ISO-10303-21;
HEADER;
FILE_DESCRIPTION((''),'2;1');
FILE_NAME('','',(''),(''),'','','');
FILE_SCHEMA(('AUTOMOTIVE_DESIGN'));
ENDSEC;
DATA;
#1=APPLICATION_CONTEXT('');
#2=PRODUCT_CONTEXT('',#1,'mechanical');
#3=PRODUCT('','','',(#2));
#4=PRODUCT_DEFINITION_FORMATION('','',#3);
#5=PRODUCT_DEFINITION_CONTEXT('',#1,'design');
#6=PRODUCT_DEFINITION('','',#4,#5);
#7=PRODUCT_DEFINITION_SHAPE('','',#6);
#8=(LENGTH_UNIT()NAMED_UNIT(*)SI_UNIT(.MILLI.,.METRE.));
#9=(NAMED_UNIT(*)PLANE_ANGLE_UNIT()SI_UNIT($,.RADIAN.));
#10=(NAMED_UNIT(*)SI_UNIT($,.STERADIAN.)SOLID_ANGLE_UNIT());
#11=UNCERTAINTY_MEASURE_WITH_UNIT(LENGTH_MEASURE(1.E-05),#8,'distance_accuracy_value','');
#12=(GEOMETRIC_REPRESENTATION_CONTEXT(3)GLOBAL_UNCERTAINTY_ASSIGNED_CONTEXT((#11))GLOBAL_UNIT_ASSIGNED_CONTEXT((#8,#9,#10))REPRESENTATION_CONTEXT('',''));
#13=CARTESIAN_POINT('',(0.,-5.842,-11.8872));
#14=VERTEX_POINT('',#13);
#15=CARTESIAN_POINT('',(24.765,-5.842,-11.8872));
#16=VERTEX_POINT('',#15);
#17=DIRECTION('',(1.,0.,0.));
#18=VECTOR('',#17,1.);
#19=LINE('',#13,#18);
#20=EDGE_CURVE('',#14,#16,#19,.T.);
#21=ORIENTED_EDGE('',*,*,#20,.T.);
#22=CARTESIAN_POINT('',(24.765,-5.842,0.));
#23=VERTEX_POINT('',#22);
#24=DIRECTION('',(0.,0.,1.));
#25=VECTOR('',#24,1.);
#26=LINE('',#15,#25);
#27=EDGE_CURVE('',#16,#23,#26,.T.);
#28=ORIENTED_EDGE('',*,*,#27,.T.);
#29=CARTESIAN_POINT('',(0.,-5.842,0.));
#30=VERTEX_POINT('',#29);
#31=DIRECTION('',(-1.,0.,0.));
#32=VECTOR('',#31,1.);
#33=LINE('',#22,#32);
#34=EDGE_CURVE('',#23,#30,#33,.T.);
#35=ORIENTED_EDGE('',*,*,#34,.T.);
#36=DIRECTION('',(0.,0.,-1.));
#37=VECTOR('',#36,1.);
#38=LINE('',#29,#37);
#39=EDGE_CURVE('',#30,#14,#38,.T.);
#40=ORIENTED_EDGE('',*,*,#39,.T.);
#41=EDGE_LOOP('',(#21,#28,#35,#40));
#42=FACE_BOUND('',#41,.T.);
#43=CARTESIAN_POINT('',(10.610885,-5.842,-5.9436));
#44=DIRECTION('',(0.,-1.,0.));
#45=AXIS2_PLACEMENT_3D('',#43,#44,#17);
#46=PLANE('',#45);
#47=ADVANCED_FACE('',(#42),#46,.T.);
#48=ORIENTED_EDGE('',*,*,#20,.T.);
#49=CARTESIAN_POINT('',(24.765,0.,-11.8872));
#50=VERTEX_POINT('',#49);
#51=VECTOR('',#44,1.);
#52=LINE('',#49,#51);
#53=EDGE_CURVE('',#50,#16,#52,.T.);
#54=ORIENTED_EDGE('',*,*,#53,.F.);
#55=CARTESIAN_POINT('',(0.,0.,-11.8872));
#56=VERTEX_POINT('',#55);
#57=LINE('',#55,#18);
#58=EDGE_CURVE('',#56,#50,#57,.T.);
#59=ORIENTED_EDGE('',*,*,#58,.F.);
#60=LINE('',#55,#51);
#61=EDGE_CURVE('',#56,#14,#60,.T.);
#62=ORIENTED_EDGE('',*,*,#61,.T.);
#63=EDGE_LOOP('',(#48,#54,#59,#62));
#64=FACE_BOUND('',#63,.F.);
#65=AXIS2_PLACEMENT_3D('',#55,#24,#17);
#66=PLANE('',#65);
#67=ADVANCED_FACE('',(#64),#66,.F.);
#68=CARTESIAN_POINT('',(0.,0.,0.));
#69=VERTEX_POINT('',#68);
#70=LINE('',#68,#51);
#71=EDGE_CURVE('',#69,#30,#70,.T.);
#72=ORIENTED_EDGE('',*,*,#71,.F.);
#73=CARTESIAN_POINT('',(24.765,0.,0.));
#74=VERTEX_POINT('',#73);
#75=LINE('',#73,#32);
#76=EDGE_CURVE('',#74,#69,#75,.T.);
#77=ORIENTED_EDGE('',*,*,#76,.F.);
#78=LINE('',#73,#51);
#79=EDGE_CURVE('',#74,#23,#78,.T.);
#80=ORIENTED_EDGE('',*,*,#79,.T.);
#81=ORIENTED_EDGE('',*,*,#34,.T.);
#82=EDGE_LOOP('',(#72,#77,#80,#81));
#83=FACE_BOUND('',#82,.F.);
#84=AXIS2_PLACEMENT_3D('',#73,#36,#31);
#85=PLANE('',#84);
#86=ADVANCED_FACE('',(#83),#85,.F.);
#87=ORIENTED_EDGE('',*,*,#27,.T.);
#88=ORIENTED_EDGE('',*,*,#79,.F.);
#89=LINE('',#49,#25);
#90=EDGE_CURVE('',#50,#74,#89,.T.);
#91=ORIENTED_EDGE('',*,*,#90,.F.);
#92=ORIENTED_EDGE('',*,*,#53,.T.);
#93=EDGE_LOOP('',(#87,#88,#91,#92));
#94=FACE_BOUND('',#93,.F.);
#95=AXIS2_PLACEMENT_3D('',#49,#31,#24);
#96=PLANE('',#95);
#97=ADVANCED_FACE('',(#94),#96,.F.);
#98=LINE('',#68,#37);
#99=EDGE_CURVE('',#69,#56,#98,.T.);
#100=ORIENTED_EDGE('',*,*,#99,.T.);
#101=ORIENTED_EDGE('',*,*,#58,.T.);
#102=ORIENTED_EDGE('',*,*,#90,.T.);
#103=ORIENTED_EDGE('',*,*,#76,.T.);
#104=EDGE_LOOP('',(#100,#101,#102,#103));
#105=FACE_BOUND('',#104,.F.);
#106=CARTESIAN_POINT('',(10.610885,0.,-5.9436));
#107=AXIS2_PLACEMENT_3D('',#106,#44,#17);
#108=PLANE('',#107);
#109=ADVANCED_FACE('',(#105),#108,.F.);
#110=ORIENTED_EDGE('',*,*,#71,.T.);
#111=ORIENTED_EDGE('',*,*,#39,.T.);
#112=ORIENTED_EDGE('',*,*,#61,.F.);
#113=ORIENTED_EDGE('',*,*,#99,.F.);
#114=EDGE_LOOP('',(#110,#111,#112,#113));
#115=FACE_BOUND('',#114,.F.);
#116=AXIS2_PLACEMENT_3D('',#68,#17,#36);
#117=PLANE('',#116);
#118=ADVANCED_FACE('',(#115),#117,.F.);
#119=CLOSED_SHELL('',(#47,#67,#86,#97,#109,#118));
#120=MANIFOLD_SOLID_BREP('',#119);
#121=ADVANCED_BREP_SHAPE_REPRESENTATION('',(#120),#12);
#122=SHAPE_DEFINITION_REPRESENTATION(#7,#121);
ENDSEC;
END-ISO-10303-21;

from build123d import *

# Parameters (mm, degrees)
F1_DEPTH = 5.842


with BuildPart() as f1:
    # F0 (on Front) → F1 (new body)
    with BuildSketch(Plane.XZ):
        with BuildLine():
            Line((21.102135, 0), (0, 0))
            Line((0, 0), (0, -11.8872))
            Line((0, -11.8872), (21.102135, -11.8872))
            ThreePointArc((21.102135, -11.8872), (21.59, -5.9436), (21.102135, 0))
        make_face()
        with BuildLine():
            Line((24.765, 0), (21.102135, 0))
            ThreePointArc((21.102135, 0), (21.59, -5.9436), (21.102135, -11.8872))
            Line((21.102135, -11.8872), (24.765, -11.8872))
            Line((24.765, -11.8872), (24.765, 0))
        make_face()
    extrude(amount=F1_DEPTH)


solid = f1.part
